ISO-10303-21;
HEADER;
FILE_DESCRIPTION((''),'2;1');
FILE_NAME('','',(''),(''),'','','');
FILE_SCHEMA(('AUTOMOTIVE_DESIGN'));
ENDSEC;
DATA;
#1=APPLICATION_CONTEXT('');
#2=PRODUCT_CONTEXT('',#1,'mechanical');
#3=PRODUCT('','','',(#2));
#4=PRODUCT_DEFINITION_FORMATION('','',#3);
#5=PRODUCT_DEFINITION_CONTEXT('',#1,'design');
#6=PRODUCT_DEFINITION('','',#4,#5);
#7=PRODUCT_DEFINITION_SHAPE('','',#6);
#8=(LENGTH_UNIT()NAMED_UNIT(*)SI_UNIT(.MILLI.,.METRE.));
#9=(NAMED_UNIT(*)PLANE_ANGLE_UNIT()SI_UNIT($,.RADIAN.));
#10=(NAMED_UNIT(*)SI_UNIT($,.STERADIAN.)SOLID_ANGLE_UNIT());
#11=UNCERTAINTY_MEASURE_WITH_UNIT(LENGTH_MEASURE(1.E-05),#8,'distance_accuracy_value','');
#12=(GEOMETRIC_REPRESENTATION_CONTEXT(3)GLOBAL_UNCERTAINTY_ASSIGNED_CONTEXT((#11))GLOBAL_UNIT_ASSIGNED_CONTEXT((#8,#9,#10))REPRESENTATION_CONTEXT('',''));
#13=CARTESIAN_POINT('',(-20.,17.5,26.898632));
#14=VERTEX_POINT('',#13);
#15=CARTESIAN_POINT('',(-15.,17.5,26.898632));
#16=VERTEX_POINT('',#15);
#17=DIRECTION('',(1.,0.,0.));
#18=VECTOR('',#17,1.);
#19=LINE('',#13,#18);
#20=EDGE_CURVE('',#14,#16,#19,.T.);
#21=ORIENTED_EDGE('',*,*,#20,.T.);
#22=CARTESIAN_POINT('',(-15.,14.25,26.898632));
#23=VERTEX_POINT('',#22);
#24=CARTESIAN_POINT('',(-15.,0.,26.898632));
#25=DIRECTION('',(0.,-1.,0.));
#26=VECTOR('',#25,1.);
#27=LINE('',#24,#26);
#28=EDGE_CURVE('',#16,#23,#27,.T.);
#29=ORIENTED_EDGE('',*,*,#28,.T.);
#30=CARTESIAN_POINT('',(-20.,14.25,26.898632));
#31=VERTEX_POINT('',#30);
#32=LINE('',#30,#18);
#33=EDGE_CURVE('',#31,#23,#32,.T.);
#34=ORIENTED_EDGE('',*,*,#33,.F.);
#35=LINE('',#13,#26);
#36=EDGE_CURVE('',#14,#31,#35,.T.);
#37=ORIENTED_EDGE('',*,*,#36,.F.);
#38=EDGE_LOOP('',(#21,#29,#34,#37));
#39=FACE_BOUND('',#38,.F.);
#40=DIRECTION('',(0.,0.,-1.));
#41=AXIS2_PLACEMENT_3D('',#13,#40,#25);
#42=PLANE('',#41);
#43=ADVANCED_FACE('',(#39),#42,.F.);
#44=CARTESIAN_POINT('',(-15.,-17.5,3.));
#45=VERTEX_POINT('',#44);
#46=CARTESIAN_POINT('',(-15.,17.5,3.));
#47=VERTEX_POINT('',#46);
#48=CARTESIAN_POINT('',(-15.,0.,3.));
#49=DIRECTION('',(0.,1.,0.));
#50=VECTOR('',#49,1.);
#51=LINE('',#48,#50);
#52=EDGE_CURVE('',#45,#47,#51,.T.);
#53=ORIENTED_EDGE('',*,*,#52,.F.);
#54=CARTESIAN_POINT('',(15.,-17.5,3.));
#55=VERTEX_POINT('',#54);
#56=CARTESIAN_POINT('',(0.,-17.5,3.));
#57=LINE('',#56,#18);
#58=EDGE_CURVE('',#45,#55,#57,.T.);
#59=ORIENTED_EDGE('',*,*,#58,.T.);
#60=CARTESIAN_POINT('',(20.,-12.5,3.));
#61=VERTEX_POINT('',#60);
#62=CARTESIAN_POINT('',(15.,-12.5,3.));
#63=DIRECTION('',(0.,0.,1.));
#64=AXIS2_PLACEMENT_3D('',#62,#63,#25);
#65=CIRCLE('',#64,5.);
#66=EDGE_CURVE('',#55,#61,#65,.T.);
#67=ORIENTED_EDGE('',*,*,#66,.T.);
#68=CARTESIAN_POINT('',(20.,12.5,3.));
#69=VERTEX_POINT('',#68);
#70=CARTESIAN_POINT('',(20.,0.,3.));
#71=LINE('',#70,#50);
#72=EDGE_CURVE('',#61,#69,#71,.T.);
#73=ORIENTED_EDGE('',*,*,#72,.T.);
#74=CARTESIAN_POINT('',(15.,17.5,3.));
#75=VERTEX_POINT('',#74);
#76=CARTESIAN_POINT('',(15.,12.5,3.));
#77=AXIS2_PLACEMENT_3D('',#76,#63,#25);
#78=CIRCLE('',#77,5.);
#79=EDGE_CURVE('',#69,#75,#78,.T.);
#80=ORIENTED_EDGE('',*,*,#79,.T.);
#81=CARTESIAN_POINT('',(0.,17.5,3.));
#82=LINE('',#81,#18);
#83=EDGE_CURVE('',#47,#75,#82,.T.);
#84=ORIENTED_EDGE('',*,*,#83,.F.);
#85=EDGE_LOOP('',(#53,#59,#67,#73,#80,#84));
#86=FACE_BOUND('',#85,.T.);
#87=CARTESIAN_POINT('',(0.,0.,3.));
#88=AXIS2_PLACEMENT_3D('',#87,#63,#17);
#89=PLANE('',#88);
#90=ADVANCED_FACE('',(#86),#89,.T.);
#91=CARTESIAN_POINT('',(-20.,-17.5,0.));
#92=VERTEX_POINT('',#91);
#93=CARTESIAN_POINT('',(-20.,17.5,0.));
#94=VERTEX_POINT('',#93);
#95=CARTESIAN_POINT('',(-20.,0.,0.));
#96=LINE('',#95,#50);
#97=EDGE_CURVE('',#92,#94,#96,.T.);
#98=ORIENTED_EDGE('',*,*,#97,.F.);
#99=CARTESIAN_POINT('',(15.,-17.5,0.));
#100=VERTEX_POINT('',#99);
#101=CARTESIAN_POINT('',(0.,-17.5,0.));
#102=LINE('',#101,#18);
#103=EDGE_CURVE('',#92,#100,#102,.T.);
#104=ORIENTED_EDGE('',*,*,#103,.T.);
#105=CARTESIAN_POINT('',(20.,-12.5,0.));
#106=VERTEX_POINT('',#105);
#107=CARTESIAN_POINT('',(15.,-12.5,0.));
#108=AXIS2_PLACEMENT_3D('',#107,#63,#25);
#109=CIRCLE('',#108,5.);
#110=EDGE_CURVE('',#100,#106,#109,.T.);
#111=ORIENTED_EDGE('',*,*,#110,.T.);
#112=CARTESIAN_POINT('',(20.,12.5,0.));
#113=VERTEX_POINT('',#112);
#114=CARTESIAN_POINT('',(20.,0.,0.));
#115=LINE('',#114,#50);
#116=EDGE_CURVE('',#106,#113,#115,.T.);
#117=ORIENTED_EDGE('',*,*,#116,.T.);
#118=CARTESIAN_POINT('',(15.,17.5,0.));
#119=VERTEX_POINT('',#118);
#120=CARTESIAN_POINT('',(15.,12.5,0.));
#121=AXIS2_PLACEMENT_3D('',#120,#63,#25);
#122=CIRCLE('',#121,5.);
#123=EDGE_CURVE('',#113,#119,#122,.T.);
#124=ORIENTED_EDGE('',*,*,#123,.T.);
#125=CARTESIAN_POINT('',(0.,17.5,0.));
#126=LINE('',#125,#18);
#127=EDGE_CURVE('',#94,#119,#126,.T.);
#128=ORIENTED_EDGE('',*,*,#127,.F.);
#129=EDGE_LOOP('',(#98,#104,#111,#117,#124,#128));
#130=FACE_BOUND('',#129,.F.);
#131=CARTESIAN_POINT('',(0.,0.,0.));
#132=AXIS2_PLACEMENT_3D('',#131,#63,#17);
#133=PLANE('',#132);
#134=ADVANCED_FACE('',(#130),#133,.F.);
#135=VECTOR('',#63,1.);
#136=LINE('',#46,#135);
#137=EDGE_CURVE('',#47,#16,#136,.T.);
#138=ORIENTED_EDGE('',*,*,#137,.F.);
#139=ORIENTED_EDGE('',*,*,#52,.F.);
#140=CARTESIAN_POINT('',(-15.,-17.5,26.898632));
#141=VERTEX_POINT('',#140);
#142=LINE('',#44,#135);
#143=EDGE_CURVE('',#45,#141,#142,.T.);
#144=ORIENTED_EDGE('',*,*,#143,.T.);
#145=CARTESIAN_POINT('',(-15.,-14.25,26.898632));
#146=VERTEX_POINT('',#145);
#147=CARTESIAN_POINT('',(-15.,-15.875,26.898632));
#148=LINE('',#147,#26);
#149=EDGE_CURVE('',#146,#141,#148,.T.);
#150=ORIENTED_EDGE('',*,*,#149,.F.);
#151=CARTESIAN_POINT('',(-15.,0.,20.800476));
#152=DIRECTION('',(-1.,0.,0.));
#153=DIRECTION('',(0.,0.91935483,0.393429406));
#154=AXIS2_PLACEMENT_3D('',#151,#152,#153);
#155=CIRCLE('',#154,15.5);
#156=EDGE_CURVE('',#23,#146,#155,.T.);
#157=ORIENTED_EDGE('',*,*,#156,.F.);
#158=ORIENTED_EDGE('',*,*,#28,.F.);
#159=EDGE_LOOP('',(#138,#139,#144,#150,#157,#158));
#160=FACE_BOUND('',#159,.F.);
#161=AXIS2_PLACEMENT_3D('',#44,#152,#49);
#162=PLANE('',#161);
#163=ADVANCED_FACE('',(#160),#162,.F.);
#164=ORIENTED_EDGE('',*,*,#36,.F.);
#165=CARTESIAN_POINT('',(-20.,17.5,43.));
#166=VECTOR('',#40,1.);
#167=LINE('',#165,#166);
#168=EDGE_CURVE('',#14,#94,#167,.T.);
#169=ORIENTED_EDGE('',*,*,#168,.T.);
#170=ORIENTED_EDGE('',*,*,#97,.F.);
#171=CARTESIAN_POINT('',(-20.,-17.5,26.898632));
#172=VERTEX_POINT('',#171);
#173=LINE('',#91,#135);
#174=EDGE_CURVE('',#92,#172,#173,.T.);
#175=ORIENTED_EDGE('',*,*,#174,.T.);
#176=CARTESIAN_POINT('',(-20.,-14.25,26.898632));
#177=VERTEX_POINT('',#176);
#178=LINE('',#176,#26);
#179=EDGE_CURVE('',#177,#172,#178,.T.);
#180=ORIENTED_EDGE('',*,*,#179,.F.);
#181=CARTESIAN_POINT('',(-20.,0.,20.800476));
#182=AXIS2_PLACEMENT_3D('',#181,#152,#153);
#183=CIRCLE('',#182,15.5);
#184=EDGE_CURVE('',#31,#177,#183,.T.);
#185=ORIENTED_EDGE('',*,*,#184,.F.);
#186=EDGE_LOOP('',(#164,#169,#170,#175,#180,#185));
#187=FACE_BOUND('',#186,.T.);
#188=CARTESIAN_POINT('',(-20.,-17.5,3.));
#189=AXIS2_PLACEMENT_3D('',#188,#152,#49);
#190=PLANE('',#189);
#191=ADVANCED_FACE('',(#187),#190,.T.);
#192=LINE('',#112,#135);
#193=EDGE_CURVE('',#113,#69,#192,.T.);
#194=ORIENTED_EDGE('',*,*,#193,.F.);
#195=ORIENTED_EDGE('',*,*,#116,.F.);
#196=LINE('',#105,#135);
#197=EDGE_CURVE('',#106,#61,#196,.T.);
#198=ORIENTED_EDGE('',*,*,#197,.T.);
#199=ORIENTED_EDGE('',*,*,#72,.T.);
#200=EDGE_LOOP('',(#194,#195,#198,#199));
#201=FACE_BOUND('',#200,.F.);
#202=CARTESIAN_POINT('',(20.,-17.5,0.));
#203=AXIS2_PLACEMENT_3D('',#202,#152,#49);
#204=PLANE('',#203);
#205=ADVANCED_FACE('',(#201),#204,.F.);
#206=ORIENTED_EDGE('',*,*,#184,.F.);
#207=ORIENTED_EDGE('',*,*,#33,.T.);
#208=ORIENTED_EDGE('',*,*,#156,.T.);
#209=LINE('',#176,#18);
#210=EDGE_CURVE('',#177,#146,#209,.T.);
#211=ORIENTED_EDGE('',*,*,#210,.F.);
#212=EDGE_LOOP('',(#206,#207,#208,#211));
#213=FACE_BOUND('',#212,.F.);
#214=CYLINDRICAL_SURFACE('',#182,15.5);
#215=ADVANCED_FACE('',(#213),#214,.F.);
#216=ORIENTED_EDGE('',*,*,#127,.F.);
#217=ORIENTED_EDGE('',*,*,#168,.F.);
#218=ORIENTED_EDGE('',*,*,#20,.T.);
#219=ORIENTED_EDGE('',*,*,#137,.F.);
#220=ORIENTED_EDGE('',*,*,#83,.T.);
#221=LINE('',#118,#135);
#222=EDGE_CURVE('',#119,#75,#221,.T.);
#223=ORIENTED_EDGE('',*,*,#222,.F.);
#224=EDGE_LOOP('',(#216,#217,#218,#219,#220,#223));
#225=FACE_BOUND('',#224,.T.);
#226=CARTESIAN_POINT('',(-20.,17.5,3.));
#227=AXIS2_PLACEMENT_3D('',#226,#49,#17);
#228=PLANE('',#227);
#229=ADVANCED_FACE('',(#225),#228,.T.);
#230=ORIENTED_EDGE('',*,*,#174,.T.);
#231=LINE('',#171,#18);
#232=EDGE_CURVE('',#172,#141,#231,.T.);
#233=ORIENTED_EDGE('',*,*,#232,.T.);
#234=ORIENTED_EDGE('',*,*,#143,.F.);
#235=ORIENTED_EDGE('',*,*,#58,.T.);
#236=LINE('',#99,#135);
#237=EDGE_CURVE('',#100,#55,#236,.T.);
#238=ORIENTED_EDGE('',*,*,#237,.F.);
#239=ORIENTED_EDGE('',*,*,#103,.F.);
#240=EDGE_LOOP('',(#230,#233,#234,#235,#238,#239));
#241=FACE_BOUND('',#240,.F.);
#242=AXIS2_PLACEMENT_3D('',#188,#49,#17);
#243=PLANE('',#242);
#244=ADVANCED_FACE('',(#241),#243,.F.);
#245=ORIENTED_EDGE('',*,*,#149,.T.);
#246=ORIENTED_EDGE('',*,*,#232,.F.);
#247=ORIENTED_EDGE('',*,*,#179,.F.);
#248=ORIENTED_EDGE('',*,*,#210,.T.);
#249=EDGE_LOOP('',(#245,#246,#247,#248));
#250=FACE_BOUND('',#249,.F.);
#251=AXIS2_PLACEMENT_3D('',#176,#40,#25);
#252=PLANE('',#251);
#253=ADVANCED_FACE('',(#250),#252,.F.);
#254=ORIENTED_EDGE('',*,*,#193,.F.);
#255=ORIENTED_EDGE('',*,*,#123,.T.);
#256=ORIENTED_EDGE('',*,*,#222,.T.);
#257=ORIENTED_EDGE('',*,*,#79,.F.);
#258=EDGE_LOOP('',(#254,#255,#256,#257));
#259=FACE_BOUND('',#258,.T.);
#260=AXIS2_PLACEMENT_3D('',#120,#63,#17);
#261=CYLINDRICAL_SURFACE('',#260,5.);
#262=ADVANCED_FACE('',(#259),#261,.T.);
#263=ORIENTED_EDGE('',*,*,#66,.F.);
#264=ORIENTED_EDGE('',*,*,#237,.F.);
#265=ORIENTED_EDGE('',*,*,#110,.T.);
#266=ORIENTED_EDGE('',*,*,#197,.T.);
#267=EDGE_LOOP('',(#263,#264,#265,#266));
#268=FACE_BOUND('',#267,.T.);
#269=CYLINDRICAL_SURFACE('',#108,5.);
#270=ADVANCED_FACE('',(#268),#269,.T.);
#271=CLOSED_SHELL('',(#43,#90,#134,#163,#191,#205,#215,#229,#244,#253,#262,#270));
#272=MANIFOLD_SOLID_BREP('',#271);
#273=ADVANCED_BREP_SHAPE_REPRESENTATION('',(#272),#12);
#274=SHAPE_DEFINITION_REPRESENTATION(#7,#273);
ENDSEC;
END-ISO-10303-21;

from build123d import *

# Parameters (mm, degrees)
F0_W     = 40
F0_H     = 35
F1_DEPTH = 3
F2_R     = 5
F3_W     = 5
F3_H     = 35
F4_DEPTH = 40
F6_DEPTH = 40.001


with BuildPart() as f1:
    # F0 (on Top) → F1 (new body)
    with BuildSketch(Plane.XY):
        Rectangle(F0_W, F0_H)
    extrude(amount=F1_DEPTH)

    # F2
    f2_edges = [f1.edges().sort_by_distance(p)[0] for p in [
        (20, 17.5, 1.5),
        (20, -17.5, 1.5),
    ]]
    fillet(f2_edges, radius=F2_R)

    # F3 (on face) → F4 (join)
    with BuildSketch(Plane.XY.offset(3)):
        with Locations((-17.5, 0)):
            Rectangle(F3_W, F3_H)
    extrude(amount=F4_DEPTH)

    # F5 (on face) → F6 (cut, through all)
    with BuildSketch(Plane(origin=(-20, 0, 0), x_dir=(0, -1, 0), z_dir=(-1, 0, 0))):
        with BuildLine():
            Line((-17.5, 26.898632), (-14.25, 26.898632))
            ThreePointArc((-14.25, 26.898632), (0, 5.300476), (14.25, 26.898632))
            Line((14.25, 26.898632), (17.5, 26.898632))
            Line((17.5, 26.898632), (17.5, 43))
            Line((17.5, 43), (-17.5, 43))
            Line((-17.5, 43), (-17.5, 26.898632))
        make_face()
    extrude(amount=-F6_DEPTH, mode=Mode.SUBTRACT)


solid = f1.part
